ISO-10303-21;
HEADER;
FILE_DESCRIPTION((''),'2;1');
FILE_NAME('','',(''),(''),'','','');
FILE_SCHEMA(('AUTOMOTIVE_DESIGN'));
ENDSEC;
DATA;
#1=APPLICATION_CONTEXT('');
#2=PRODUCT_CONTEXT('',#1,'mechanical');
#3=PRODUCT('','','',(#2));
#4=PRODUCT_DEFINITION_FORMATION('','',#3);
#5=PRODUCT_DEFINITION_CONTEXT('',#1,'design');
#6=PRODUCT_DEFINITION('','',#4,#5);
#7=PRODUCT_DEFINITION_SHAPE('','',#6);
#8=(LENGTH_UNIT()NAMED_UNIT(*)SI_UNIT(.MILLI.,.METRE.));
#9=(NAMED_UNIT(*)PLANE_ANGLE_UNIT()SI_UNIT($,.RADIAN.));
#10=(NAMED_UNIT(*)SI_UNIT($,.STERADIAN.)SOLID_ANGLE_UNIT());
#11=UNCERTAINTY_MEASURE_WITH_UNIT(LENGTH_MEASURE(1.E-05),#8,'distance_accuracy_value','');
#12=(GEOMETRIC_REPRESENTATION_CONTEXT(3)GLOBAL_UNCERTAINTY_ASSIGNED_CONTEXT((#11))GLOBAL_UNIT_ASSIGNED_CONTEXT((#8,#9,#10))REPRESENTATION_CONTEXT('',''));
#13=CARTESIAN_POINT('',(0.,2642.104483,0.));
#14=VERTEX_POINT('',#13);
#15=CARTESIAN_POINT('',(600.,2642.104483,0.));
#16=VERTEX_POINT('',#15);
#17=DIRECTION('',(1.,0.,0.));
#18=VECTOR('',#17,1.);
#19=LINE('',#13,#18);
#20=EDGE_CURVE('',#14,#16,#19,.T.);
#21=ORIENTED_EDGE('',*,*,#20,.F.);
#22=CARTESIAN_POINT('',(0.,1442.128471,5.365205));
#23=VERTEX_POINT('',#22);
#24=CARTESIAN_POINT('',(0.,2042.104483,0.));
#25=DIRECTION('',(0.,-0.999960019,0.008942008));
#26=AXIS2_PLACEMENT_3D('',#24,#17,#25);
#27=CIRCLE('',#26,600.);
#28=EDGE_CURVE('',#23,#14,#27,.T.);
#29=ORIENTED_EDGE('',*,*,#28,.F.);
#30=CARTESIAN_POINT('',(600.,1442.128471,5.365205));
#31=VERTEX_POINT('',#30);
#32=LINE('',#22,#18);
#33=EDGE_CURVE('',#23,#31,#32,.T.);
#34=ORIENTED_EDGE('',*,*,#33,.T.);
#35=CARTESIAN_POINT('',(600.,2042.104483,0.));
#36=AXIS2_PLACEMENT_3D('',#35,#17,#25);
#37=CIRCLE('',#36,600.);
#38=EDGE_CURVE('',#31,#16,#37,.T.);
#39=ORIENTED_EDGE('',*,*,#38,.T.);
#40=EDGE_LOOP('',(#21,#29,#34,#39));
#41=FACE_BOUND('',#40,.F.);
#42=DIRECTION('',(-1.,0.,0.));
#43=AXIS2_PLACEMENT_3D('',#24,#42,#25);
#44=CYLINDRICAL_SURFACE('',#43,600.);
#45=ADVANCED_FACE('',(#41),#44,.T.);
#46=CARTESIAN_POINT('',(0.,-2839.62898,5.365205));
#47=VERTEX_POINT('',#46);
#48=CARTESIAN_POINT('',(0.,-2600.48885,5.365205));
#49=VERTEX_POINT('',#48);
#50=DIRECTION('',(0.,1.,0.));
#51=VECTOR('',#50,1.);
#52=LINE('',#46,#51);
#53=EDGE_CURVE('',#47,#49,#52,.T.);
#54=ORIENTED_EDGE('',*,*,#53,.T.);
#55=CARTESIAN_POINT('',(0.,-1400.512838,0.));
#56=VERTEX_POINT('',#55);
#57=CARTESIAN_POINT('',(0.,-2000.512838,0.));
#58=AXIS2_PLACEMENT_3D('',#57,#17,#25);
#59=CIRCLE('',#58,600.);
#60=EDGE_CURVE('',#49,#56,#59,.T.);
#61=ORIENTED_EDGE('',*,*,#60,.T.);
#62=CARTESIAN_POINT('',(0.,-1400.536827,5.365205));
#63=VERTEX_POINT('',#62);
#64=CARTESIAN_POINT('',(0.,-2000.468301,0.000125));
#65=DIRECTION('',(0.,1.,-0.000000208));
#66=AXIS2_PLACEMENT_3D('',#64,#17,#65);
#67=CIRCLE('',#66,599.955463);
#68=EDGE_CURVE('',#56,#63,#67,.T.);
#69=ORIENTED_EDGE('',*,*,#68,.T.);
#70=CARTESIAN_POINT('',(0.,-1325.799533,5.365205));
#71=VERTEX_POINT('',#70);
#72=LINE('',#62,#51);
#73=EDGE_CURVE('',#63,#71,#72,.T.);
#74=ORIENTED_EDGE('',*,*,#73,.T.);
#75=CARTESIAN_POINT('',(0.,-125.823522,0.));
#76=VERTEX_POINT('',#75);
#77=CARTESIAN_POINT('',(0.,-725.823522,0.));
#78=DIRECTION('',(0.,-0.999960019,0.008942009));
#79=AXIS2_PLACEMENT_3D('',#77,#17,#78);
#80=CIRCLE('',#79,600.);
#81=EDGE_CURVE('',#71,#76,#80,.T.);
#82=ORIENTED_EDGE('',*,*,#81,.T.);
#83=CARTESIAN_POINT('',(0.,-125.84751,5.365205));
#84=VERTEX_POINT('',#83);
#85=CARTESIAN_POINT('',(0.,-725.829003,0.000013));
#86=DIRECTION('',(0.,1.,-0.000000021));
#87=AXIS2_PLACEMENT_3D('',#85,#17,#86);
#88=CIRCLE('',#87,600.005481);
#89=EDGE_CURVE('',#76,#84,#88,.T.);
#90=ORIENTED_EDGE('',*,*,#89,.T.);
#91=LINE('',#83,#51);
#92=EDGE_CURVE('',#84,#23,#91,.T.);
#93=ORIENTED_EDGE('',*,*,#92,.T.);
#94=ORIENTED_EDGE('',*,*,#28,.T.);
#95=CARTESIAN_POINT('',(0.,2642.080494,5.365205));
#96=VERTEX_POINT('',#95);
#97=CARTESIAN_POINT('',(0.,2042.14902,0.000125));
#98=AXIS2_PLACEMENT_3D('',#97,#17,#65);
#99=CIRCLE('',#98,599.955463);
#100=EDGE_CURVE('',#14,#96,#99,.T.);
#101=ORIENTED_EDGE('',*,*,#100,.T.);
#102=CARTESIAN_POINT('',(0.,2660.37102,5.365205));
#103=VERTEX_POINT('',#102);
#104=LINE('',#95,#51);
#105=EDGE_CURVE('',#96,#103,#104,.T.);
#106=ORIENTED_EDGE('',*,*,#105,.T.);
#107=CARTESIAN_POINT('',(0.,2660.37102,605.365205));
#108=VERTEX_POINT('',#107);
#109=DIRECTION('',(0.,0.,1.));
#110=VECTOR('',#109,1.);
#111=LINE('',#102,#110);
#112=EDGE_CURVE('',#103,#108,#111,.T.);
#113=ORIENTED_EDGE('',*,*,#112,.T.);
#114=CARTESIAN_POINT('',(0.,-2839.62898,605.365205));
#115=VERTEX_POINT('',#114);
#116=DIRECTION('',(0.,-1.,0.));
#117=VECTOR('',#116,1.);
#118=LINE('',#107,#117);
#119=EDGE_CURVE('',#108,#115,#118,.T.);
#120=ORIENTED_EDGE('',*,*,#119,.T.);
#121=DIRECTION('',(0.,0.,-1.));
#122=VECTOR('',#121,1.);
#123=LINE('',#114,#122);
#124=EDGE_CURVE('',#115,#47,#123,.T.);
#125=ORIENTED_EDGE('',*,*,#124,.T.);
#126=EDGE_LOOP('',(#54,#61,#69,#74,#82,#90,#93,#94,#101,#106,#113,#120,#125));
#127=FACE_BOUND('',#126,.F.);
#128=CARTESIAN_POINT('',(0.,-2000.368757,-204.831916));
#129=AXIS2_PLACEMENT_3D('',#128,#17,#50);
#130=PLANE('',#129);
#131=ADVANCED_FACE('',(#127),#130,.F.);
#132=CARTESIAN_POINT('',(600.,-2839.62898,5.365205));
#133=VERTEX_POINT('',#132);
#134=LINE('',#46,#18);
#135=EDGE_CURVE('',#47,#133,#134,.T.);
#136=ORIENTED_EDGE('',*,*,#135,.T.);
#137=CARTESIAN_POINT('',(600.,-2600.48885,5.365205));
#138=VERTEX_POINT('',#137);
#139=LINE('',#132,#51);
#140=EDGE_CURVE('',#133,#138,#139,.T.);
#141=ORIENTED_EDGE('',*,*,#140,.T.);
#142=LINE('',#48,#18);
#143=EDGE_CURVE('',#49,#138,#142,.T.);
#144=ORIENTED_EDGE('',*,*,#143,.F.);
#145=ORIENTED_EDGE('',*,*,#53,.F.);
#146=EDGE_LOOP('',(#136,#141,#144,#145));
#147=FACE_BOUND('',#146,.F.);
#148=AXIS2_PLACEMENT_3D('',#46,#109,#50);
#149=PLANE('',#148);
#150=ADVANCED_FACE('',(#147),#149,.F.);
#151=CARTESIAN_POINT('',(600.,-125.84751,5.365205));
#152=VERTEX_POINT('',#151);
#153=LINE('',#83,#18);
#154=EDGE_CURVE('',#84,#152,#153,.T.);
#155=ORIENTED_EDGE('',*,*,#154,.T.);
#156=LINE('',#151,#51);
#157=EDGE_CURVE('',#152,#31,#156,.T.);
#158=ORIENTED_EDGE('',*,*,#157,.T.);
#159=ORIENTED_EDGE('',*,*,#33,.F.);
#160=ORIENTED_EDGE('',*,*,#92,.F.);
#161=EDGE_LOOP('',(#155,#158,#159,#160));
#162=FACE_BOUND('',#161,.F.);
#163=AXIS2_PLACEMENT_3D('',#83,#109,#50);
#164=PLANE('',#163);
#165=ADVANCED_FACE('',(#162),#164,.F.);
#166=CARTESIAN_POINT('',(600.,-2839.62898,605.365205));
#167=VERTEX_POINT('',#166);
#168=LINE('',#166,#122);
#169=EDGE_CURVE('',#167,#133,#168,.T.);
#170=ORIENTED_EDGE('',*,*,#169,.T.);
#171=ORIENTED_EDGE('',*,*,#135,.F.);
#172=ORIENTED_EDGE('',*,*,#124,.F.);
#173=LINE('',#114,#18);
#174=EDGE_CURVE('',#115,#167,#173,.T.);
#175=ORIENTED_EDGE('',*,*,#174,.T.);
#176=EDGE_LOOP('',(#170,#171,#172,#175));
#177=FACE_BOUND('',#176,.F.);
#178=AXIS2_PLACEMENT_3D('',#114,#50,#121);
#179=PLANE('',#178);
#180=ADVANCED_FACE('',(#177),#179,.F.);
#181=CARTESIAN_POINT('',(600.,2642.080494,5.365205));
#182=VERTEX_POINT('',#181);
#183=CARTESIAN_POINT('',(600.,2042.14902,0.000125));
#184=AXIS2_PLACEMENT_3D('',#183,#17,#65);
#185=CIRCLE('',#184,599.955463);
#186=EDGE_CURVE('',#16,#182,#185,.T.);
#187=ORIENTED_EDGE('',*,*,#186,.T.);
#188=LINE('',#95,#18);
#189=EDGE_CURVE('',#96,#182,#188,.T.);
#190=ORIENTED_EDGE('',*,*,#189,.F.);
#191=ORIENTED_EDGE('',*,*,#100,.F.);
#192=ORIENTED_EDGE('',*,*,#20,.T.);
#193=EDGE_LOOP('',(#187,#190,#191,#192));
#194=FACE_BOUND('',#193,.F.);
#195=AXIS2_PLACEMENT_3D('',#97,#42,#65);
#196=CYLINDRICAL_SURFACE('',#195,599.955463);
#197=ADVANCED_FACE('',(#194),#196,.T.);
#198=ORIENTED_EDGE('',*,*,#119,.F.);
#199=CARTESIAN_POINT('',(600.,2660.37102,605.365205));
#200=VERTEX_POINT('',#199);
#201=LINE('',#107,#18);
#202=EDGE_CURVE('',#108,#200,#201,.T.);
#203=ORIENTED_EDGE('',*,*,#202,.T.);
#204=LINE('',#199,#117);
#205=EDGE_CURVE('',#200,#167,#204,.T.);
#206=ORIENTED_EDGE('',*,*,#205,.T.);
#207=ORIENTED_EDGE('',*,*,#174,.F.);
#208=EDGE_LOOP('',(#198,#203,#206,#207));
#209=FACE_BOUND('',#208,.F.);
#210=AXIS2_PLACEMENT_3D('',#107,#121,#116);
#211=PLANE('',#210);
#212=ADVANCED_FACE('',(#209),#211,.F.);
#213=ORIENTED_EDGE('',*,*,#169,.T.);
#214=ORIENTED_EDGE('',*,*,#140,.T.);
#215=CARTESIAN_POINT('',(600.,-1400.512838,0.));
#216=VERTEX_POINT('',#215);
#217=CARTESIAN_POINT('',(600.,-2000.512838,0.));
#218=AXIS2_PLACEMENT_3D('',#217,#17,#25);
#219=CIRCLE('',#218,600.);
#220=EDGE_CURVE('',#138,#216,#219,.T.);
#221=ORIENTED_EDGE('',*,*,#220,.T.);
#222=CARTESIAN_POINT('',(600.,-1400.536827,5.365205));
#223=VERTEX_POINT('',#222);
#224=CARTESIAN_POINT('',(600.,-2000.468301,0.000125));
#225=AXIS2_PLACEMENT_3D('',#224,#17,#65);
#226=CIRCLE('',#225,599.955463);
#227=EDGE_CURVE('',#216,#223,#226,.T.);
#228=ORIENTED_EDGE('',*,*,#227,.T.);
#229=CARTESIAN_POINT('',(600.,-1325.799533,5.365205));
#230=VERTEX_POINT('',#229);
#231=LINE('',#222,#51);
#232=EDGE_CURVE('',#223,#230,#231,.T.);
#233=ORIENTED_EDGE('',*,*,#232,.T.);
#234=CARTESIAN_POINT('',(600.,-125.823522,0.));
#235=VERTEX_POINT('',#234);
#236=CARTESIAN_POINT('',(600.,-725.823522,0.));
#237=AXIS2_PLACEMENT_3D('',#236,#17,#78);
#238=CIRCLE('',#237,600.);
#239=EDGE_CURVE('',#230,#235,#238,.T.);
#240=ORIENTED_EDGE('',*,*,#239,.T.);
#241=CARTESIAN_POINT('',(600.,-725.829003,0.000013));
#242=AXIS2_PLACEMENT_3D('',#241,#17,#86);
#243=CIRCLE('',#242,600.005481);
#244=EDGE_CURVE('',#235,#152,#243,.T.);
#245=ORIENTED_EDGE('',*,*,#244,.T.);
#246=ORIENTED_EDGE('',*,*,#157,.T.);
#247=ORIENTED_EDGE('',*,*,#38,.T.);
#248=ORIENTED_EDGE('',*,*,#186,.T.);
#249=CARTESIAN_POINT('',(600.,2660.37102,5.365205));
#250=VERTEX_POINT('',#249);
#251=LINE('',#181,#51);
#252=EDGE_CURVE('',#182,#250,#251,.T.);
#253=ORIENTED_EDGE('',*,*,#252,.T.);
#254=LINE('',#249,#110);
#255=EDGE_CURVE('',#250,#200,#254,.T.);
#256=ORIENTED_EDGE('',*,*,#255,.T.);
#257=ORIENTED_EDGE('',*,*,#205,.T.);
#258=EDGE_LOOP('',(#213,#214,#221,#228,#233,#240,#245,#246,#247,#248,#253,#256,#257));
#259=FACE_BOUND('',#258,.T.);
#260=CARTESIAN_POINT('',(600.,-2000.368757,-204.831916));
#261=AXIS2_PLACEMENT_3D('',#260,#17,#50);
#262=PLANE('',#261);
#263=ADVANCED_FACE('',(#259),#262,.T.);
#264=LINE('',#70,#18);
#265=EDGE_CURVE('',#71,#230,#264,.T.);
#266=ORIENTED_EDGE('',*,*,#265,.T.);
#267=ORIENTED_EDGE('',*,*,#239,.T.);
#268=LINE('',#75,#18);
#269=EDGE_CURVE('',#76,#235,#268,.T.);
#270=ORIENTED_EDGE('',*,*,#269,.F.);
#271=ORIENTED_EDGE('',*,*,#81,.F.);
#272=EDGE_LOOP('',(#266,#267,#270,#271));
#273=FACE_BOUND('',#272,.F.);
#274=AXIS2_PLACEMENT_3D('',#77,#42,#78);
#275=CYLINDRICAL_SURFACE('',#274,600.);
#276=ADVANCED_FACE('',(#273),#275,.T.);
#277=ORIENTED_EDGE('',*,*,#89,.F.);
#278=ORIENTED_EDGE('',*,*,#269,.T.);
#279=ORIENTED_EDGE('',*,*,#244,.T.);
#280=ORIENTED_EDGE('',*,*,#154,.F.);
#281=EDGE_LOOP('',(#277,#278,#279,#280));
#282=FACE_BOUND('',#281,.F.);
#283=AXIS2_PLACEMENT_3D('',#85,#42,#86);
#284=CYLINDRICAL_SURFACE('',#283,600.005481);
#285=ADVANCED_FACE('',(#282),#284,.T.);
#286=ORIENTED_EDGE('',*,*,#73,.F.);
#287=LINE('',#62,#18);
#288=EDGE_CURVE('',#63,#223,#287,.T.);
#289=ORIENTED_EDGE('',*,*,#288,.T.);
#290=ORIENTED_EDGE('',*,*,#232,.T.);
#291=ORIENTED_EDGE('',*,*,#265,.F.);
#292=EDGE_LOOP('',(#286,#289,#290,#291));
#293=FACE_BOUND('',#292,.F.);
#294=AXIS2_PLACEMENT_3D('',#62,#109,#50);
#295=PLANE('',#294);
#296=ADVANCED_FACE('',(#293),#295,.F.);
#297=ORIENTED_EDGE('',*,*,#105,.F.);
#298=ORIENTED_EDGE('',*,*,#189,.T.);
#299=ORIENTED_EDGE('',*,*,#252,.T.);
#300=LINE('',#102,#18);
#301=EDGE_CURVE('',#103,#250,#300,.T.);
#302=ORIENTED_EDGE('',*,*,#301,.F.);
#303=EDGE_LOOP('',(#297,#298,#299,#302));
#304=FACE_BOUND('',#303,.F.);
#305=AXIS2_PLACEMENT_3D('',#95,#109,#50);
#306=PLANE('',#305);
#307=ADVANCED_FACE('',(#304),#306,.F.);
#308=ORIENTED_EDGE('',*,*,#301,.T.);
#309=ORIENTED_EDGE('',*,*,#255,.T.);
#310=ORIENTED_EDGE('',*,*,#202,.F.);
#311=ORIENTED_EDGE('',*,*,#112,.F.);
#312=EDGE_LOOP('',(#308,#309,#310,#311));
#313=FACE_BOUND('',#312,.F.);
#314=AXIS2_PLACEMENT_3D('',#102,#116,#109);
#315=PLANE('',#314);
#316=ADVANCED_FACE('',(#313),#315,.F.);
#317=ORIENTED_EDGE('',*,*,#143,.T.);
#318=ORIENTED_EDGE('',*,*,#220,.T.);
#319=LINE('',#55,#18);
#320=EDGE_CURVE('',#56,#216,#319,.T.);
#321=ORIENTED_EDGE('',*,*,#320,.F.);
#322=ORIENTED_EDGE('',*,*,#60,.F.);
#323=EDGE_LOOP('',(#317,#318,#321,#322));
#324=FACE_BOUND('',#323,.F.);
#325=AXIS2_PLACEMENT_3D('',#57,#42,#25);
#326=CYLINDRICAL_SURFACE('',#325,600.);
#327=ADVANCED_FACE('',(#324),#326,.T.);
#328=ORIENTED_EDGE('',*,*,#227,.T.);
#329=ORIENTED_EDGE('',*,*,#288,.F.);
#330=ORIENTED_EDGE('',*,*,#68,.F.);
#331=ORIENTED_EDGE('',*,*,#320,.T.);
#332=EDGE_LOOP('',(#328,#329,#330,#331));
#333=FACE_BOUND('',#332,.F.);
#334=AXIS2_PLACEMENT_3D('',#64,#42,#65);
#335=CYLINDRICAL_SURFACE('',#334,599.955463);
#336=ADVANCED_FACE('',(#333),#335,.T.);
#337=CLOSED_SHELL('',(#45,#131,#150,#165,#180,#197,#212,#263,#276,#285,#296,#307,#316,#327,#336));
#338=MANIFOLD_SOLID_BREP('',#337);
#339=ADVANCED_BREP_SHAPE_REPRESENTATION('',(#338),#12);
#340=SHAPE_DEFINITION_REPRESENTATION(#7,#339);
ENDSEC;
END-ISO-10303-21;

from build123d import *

# Parameters (mm, degrees)
F1_DEPTH = 600


with BuildPart() as f1:
    # F0 (on Right) → F1 (new body)
    with BuildSketch(Plane.YZ):
        with BuildLine():
            ThreePointArc((-1400.512838, 0), (-1400.518835, 2.682629), (-1400.536827, 5.365205))
            Line((-1400.536827, 5.365205), (-2600.48885, 5.365205))
            ThreePointArc((-2600.48885, 5.365205), (-2003.195468, -599.994003), (-1400.512838, 0))
        make_face()
        with BuildLine():
            Line((-2600.48885, 5.365205), (-1400.536827, 5.365205))
            ThreePointArc((-1400.536827, 5.365205), (-2000.512838, 600), (-2600.48885, 5.365205))
        make_face()
        with BuildLine():
            ThreePointArc((1442.128471, 5.365205), (2042.104483, 600), (2642.080494, 5.365205))
            Line((2642.080494, 5.365205), (2660.37102, 5.365205))
            Line((2660.37102, 5.365205), (2660.37102, 605.365205))
            Line((2660.37102, 605.365205), (-2839.62898, 605.365205))
            Line((-2839.62898, 605.365205), (-2839.62898, 5.365205))
            Line((-2839.62898, 5.365205), (-2600.48885, 5.365205))
            ThreePointArc((-2600.48885, 5.365205), (-2000.512838, 600), (-1400.536827, 5.365205))
            Line((-1400.536827, 5.365205), (-1325.799533, 5.365205))
            ThreePointArc((-1325.799533, 5.365205), (-725.823522, 600), (-125.84751, 5.365205))
            Line((-125.84751, 5.365205), (1442.128471, 5.365205))
        make_face()
        with BuildLine():
            ThreePointArc((-125.823522, 0), (-125.829519, 2.682629), (-125.84751, 5.365205))
            Line((-125.84751, 5.365205), (-1325.799533, 5.365205))
            ThreePointArc((-1325.799533, 5.365205), (-728.506151, -599.994003), (-125.823522, 0))
        make_face()
        with BuildLine():
            Line((-1325.799533, 5.365205), (-125.84751, 5.365205))
            ThreePointArc((-125.84751, 5.365205), (-725.823522, 600), (-1325.799533, 5.365205))
        make_face()
        with BuildLine():
            ThreePointArc((1442.128471, 5.365205), (2039.421853, -599.994003), (2642.104483, 0))
            ThreePointArc((2642.104483, 0), (2642.098486, 2.682629), (2642.080494, 5.365205))
            Line((2642.080494, 5.365205), (1442.128471, 5.365205))
        make_face()
        with BuildLine():
            Line((1442.128471, 5.365205), (2642.080494, 5.365205))
            ThreePointArc((2642.080494, 5.365205), (2042.104483, 600), (1442.128471, 5.365205))
        make_face()
    extrude(amount=F1_DEPTH)


solid = f1.part
